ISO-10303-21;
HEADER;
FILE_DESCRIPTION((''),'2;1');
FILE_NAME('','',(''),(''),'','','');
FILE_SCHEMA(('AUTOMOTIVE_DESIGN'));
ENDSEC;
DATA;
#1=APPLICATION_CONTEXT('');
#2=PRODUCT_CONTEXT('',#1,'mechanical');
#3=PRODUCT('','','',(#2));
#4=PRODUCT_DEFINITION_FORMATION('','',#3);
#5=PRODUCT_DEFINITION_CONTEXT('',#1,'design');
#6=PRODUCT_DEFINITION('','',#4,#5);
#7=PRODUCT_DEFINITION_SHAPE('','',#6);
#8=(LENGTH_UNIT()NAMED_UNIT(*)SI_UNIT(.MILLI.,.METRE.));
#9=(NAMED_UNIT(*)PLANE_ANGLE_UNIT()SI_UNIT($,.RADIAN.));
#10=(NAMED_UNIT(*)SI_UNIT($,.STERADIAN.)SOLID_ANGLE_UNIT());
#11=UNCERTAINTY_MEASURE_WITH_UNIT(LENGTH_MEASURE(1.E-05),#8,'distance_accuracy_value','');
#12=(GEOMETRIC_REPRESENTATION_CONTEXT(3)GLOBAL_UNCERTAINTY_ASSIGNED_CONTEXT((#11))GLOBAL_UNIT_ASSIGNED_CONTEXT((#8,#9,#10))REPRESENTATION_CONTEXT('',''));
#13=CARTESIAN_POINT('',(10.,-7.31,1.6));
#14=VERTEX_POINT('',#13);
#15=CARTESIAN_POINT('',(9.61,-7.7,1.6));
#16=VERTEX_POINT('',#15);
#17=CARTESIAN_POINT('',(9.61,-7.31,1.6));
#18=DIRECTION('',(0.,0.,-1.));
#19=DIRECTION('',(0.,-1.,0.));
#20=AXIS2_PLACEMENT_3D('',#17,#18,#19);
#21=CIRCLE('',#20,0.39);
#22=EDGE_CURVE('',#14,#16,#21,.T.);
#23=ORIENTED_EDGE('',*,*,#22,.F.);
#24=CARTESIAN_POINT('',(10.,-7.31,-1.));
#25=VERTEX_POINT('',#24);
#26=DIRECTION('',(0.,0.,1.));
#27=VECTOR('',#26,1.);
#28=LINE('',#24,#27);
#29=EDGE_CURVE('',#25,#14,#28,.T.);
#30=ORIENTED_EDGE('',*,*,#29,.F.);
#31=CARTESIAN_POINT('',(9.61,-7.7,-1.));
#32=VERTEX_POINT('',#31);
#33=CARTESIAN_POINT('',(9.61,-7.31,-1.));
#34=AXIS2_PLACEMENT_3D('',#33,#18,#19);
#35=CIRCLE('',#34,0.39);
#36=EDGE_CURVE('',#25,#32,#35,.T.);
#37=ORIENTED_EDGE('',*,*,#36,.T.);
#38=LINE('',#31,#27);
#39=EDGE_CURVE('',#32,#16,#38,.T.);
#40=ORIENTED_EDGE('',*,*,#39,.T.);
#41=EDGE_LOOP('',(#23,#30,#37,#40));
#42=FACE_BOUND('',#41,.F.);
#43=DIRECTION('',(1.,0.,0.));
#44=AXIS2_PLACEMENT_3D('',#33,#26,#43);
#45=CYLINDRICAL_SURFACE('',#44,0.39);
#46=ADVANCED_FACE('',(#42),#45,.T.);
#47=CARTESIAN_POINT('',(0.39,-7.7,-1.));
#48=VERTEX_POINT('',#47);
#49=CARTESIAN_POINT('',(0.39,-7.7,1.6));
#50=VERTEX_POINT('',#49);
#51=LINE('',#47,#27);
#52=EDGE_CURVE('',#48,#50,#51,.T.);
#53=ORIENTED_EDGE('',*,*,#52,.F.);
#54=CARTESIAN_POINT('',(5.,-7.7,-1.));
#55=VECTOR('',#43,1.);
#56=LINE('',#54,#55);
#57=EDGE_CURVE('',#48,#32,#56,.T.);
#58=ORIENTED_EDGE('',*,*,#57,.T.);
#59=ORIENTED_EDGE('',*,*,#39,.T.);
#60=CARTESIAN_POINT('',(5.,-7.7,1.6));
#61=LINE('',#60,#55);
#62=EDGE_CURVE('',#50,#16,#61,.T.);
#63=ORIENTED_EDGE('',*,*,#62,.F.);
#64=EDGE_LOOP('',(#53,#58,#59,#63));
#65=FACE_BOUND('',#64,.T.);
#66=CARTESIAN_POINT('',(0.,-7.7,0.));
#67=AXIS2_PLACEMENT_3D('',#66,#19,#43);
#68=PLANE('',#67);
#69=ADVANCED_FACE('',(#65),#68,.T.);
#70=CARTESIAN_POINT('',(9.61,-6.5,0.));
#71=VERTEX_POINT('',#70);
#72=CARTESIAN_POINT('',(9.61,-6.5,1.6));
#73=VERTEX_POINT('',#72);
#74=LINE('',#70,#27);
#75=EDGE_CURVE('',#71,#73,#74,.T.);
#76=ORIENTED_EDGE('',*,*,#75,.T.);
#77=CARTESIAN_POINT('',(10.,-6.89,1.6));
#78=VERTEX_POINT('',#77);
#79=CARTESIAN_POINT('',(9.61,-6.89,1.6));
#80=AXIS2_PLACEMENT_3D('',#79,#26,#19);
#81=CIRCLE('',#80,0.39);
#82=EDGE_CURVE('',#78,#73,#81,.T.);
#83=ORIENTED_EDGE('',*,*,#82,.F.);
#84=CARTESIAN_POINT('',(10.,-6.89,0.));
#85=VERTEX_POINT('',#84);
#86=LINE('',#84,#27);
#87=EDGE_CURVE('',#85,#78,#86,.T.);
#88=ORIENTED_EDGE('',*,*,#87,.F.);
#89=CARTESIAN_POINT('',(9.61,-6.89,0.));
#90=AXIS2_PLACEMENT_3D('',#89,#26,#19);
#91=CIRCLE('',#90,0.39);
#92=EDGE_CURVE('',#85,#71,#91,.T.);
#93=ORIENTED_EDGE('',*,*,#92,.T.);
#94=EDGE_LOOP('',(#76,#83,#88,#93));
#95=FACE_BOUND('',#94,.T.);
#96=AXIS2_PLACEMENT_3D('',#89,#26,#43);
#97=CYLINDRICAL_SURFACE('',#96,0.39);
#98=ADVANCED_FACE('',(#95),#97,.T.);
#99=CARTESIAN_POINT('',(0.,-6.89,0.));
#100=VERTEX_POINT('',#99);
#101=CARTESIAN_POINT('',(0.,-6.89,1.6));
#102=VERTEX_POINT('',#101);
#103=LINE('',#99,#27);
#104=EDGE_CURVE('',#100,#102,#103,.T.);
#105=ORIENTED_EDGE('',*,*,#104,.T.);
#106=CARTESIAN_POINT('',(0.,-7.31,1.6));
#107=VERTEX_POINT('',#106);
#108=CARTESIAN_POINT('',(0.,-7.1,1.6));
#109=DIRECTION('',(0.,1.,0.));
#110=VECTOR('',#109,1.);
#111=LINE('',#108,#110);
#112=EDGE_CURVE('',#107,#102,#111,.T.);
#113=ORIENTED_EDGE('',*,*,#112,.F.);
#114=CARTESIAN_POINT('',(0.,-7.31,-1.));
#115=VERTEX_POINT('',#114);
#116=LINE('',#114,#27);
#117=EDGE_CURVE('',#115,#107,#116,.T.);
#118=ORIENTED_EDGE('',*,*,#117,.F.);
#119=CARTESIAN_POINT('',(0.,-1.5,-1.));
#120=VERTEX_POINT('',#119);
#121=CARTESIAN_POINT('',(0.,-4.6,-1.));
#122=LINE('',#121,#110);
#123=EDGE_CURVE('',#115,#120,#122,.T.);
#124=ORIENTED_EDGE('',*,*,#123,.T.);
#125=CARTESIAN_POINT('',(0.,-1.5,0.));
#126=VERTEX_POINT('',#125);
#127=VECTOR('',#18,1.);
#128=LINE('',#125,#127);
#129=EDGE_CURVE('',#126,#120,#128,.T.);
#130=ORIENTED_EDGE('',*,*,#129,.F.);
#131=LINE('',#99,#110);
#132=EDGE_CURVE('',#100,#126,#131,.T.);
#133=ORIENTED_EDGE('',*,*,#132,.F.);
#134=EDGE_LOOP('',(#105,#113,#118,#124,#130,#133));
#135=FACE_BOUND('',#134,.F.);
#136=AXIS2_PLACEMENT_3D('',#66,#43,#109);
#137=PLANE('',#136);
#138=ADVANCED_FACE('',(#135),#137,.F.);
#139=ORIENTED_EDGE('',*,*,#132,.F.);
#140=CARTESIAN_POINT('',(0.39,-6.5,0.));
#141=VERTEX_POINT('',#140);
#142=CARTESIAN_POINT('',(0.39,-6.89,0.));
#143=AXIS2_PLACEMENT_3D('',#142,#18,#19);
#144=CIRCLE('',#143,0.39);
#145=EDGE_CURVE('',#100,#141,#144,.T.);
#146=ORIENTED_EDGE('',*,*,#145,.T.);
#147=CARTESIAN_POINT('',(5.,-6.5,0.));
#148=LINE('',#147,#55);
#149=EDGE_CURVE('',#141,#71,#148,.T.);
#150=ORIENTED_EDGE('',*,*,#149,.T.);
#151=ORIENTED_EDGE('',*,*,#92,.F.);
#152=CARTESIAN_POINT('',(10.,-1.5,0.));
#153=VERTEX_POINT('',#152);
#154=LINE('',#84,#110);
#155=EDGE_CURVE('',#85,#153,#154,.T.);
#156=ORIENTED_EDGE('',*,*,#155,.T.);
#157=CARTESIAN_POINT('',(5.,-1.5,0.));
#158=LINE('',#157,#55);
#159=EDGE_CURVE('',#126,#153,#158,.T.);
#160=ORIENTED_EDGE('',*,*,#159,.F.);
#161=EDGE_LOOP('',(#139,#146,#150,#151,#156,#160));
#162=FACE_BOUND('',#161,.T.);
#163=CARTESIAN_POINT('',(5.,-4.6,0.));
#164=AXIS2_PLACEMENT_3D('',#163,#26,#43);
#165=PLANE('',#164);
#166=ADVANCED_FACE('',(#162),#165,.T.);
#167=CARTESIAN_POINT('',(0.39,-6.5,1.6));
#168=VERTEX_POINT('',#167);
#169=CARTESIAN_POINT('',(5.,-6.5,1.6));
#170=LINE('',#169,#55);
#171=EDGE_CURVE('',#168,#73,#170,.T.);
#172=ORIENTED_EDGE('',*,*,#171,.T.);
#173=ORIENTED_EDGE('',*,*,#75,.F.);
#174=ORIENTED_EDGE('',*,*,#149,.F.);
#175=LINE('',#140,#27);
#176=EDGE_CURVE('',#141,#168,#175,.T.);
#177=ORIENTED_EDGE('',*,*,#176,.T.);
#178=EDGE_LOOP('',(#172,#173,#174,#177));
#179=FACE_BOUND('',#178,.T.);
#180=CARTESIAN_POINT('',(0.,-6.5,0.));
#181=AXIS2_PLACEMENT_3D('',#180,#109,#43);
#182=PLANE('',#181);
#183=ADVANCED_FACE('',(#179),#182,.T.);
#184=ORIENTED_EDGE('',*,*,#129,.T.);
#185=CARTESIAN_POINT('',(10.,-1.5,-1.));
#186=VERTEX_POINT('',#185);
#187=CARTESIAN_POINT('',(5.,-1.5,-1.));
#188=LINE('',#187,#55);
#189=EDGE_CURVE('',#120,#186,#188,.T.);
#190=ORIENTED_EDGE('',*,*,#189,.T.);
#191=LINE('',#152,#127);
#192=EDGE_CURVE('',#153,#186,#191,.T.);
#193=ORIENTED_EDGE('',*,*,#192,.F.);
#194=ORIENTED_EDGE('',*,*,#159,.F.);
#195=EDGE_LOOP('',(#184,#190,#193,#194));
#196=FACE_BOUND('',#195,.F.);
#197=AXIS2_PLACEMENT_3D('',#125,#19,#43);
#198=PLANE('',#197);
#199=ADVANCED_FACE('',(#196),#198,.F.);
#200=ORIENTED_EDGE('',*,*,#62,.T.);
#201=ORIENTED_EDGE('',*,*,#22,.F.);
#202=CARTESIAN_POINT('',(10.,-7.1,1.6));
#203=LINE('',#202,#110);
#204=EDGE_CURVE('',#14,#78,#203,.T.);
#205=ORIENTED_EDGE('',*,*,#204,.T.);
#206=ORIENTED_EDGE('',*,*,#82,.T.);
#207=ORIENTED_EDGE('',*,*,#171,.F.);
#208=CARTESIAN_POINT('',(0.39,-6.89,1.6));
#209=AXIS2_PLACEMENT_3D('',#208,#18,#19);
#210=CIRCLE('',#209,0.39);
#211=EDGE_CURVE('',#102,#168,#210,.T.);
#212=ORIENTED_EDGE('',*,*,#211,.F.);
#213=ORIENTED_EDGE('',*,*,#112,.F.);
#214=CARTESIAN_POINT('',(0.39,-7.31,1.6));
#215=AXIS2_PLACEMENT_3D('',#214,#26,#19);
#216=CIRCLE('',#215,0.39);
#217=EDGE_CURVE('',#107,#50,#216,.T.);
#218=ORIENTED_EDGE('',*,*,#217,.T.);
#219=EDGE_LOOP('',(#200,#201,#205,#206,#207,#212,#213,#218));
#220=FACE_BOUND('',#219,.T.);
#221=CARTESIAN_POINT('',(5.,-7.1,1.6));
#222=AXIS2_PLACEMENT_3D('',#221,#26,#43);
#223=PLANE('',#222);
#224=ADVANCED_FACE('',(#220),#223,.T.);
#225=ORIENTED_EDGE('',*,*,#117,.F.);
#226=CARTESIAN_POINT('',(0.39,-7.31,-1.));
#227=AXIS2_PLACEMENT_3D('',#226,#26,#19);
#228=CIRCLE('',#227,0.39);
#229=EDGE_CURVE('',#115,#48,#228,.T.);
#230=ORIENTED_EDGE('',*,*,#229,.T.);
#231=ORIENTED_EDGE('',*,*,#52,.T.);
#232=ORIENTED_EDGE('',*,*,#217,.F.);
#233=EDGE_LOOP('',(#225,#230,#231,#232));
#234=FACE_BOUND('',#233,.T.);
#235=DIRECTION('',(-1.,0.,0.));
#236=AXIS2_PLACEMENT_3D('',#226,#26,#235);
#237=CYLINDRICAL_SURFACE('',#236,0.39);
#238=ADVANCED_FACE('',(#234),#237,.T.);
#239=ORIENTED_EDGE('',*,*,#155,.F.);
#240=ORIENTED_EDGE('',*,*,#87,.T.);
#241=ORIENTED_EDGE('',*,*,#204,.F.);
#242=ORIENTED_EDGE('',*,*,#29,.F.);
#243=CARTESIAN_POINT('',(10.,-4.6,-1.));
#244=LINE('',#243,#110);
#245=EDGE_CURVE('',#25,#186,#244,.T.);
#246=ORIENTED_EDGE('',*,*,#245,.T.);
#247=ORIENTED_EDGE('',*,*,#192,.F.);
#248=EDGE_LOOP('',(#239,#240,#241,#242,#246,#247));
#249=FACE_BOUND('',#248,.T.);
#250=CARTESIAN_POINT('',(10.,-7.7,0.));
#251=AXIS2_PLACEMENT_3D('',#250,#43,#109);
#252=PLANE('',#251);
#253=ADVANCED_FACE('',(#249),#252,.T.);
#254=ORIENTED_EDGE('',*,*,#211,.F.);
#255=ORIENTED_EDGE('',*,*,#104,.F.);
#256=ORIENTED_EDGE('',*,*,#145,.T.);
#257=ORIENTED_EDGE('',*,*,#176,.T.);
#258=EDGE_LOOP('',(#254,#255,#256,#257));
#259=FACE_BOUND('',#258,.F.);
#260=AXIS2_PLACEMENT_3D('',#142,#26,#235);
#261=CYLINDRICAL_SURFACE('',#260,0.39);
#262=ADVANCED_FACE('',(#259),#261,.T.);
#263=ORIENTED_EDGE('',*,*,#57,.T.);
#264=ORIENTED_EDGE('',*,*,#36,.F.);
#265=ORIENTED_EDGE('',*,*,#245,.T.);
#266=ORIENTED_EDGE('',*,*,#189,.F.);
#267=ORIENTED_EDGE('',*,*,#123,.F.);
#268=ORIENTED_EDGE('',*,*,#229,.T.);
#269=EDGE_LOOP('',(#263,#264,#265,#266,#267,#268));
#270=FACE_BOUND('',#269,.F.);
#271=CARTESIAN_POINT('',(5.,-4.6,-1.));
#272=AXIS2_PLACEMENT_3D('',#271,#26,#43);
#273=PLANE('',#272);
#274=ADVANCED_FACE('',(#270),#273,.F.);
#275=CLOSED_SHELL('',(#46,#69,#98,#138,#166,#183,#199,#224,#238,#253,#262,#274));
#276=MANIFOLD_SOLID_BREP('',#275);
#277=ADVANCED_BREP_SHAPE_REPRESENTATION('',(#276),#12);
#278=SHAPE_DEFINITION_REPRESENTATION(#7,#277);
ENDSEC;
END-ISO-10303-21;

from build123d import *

# Parameters (mm, degrees)
SKETCH002_W  = 10
SKETCH002_H  = 1.2
PAD002_DEPTH = 1.6
SKETCH003_W  = 10
SKETCH003_H  = 6.2
PAD003_DEPTH = 1
FILLET001_R  = 0.39


with BuildPart() as part:
    # Sketch002 → Pad002 (new body)
    with BuildSketch(Plane.XY):
        with Locations((5, -0.6)):
            Rectangle(SKETCH002_W, SKETCH002_H)
    extrude(amount=PAD002_DEPTH)

    # Sketch003 → Pad003 (join)
    with BuildSketch(Plane.XY):
        with Locations((5, 1.9)):
            Rectangle(SKETCH003_W, SKETCH003_H)
    extrude(amount=-PAD003_DEPTH)

    # Fillet001
    fillet001_edges = [part.edges().sort_by_distance(p)[0] for p in [
        (0, -1.2, 0.3),
        (10, -1.2, 0.3),
        (10, 0, 0.8),
        (0, 0, 0.8),
    ]]
    fillet(fillet001_edges, radius=FILLET001_R)


with BuildPart() as part_1:
    # Clone001 placement: moved
    add(part.part.moved(Location((0, -6.5, 0))))


solid = part_1.part
